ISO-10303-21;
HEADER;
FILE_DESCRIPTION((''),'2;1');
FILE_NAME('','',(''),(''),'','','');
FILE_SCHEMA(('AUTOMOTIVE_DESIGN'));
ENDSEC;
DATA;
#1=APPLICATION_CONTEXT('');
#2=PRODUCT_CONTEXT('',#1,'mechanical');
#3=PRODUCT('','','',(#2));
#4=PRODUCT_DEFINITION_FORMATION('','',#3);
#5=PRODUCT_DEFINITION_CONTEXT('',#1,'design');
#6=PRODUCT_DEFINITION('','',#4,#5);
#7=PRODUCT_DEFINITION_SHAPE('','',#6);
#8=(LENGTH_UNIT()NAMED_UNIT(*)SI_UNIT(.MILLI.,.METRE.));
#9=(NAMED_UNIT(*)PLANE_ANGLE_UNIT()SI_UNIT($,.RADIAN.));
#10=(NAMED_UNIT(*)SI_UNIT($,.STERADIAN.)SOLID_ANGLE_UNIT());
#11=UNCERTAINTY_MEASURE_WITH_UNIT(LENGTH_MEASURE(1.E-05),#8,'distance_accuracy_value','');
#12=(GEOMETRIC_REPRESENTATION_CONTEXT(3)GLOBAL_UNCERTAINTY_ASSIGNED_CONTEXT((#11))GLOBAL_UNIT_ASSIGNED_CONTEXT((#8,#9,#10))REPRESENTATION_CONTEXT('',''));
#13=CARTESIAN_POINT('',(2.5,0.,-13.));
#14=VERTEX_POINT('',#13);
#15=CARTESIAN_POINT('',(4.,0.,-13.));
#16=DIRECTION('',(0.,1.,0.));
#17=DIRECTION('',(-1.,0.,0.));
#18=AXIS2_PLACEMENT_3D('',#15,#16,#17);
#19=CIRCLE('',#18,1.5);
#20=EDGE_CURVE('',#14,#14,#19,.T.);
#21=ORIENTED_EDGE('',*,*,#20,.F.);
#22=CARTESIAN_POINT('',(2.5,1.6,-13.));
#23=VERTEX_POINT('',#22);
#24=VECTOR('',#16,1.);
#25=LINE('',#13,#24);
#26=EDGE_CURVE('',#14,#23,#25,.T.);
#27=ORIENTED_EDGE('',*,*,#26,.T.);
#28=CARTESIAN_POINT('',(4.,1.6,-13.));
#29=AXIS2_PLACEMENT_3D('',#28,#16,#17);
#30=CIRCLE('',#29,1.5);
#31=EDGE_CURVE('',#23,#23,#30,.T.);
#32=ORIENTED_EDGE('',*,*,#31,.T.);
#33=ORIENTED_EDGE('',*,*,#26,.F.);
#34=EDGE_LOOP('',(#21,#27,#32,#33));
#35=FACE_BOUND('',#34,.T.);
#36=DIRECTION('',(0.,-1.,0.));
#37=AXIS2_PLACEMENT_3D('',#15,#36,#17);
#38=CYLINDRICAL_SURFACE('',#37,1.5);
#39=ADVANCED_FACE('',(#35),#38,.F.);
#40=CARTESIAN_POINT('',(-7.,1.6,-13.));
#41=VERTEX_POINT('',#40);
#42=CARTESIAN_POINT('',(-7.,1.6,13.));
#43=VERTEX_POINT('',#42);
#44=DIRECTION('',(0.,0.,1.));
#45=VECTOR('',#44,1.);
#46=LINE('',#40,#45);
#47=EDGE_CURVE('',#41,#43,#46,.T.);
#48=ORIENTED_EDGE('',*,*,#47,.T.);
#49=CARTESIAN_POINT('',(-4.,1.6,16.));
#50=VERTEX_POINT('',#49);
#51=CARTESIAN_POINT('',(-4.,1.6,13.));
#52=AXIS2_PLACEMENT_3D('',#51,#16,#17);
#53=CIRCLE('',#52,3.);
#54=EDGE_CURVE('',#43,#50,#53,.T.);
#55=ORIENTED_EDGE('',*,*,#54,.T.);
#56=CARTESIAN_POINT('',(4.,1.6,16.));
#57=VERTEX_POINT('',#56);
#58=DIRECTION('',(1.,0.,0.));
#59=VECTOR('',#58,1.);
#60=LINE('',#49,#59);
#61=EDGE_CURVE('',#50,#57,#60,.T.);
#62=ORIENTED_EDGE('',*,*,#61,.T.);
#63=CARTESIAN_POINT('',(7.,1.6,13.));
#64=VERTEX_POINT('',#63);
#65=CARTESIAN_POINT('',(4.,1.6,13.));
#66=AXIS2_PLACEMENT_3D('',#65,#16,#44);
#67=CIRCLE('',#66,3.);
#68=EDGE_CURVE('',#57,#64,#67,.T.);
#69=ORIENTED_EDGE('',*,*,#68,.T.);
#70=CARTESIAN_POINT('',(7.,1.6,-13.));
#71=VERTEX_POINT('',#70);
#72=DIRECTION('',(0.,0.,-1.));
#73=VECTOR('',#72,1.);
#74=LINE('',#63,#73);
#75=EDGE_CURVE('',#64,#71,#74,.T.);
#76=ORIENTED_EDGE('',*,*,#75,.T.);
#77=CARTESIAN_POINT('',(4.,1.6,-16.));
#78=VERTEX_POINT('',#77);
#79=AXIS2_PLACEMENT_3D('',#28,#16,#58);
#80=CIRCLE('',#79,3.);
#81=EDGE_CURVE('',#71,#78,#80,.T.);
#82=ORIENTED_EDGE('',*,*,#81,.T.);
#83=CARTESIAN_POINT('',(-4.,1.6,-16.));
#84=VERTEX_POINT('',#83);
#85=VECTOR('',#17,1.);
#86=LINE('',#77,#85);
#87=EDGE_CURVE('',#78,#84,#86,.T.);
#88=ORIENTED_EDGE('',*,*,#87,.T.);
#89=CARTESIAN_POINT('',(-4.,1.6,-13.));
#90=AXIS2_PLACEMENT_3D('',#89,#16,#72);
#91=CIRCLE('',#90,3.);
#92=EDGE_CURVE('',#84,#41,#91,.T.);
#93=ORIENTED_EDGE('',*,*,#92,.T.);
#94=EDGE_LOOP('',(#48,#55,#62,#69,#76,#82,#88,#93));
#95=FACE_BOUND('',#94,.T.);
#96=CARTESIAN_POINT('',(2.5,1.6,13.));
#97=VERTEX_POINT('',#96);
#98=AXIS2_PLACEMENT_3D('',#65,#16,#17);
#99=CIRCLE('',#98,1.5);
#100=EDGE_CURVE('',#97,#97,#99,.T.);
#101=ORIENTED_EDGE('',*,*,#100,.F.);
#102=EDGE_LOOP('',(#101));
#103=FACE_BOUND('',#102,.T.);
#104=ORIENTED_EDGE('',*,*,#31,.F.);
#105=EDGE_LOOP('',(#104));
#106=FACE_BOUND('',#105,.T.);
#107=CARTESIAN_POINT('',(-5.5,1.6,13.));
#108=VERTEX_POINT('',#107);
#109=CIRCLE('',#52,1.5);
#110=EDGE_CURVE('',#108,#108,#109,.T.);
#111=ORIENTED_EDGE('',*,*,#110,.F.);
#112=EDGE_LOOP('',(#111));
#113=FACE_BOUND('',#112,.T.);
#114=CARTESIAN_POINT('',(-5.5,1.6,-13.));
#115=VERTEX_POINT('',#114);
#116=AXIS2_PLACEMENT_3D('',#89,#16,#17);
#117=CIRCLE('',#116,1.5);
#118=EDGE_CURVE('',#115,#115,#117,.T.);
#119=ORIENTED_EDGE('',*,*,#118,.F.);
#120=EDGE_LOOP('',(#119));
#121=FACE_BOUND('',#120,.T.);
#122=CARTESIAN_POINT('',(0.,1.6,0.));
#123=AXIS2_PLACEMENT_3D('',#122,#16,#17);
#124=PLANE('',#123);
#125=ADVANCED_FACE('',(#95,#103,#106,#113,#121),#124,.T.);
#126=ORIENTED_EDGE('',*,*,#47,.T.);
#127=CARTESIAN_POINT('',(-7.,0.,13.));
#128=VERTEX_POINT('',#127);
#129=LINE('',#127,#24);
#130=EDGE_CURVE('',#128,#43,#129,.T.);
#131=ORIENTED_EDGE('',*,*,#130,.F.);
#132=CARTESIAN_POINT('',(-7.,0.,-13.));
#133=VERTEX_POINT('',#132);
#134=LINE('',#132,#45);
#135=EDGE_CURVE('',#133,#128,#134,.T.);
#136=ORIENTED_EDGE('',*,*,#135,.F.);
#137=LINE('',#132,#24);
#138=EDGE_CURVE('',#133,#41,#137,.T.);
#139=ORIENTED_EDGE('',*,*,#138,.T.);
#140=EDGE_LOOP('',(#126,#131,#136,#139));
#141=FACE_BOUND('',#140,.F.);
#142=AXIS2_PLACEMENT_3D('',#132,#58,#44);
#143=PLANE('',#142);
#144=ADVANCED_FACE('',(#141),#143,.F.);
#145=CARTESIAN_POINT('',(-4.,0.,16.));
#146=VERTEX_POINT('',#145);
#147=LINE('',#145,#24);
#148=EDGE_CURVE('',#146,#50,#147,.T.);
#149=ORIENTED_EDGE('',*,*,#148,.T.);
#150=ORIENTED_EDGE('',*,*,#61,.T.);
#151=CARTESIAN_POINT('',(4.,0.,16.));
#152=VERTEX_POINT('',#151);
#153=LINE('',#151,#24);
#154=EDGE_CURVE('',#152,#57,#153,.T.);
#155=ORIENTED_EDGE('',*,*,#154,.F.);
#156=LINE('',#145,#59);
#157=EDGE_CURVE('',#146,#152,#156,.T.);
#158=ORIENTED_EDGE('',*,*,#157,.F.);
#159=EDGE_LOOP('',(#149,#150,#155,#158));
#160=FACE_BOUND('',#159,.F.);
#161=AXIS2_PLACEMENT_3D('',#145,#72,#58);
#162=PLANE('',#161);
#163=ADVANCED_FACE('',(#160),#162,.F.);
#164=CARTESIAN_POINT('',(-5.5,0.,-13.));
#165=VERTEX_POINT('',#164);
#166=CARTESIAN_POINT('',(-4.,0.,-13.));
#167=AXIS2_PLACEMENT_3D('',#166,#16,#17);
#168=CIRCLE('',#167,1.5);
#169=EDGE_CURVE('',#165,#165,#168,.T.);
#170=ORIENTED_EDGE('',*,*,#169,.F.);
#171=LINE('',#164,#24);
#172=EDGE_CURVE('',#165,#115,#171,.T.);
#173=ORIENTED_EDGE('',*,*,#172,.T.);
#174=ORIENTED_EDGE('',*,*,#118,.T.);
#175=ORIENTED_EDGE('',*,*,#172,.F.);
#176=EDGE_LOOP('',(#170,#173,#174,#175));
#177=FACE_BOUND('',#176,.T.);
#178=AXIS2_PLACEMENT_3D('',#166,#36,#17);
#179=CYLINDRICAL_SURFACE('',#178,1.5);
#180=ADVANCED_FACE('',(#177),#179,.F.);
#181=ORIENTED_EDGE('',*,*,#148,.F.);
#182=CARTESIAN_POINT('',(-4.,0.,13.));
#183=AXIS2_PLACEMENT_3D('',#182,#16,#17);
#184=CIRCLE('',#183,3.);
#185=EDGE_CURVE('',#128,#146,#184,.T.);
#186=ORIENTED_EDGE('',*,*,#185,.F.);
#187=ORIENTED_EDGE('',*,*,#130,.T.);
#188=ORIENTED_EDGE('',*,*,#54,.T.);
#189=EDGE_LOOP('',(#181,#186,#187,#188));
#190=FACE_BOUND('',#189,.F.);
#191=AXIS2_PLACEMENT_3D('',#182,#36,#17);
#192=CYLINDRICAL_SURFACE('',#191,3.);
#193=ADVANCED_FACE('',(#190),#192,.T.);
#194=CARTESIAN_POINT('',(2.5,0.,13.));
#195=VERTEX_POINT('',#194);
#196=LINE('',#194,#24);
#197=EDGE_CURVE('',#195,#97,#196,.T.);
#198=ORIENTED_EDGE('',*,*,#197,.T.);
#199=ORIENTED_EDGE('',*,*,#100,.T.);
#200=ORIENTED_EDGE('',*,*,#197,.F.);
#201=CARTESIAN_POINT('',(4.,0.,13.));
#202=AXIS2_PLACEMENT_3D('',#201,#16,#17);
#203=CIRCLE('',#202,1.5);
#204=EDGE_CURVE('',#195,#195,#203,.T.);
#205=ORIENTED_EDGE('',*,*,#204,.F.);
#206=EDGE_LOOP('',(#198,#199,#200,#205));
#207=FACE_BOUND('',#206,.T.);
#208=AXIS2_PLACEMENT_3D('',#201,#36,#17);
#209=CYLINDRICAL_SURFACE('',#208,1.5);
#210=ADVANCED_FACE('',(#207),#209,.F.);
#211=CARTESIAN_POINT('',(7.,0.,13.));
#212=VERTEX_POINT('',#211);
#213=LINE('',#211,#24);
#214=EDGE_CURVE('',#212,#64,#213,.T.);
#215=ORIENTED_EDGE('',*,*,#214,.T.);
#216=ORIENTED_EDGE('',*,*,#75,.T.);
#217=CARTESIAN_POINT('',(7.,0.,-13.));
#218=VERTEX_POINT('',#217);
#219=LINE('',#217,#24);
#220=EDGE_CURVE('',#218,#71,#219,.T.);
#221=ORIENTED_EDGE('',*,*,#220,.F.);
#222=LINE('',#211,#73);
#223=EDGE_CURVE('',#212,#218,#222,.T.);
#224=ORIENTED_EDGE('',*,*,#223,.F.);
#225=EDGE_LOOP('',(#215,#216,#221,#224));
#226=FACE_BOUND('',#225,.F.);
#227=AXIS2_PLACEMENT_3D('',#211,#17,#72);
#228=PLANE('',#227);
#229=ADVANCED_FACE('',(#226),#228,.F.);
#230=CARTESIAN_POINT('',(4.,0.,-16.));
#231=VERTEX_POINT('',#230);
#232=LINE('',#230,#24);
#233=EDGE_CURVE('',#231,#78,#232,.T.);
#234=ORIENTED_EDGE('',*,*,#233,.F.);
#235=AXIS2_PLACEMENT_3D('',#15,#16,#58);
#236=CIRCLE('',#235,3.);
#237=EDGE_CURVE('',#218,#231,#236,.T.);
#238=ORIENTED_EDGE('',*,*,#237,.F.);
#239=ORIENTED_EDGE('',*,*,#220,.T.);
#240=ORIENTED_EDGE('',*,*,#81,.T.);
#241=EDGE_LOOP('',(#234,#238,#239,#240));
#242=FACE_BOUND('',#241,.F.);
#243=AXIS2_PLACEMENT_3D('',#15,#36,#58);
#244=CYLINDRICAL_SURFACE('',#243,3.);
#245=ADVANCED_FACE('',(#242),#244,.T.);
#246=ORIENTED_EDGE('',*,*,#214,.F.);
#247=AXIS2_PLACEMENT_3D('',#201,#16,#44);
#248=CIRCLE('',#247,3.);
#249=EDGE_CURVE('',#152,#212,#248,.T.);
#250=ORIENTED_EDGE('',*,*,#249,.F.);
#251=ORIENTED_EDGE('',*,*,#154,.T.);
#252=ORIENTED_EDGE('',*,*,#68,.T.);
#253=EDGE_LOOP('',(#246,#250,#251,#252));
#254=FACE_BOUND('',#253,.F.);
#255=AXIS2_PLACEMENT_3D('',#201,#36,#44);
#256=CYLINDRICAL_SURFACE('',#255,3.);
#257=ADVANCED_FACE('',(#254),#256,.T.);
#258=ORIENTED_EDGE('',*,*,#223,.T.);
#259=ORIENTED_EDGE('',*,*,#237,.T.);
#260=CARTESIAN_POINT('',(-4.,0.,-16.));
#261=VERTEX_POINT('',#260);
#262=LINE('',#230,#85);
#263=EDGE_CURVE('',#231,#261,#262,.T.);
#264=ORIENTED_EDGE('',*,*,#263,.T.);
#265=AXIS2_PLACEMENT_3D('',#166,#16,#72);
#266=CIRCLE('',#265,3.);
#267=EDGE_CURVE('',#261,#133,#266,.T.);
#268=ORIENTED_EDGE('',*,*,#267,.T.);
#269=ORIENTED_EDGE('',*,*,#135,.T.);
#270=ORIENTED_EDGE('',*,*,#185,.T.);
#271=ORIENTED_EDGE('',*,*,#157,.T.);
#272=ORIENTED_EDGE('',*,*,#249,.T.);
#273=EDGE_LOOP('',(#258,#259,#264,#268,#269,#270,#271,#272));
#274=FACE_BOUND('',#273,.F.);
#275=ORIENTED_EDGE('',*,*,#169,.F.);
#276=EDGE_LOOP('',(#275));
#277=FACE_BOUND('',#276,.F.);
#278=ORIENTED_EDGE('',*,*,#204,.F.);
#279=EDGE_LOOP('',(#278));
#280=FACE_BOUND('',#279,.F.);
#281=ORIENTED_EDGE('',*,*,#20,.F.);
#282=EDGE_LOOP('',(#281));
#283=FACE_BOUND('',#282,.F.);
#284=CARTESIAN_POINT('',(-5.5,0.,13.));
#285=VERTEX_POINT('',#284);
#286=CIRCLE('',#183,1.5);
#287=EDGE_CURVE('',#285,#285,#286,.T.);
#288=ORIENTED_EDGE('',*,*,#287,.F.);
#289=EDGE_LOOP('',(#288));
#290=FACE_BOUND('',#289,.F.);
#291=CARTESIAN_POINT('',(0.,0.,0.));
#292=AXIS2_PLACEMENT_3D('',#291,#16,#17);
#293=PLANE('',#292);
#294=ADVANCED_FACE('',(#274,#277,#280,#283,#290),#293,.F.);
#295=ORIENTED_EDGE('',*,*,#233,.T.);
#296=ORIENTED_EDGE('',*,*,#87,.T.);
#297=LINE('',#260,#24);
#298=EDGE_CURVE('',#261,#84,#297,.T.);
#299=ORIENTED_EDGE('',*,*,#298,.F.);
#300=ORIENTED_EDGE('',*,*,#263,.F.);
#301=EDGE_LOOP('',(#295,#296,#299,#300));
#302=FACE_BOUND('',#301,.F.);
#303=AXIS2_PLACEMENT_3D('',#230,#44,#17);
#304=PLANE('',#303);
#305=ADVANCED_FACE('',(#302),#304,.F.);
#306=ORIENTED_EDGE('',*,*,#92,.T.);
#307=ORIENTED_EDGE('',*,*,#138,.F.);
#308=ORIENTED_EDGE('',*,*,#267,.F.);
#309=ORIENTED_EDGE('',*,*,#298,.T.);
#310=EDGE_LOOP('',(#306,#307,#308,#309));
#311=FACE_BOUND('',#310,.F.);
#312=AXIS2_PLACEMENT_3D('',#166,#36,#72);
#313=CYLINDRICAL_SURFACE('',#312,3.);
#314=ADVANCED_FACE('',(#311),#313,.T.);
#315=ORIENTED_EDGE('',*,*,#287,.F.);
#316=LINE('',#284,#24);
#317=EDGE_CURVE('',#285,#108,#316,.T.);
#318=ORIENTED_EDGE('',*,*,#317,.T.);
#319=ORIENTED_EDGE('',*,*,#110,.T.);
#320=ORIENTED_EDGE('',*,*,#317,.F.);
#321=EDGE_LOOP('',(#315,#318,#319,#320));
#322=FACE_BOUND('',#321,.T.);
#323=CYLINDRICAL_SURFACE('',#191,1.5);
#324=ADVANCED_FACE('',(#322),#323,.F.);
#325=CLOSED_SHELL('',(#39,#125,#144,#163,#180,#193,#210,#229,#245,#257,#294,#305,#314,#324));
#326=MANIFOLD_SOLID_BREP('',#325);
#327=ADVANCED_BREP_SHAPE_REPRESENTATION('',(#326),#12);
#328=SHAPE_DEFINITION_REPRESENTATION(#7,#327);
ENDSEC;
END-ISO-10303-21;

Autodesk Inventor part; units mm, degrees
ref_plane "YZ Plane" through (0, 0, 0) normal (1, 0, 0) x (0, 1, 0)
ref_plane "XZ Plane" through (0, 0, 0) normal (0, 1, 0) x (-1, 0, 0)
ref_plane "XY Plane" through (0, 0, 0) normal (0, 0, 1) x (1, 0, 0)
sketch "Szkic1" plane through (0, 0, 0) normal (0, 1, 0) x (-1, 0, 0)
  circle A0 centre (4, 13) radius 1.5
  circle A1 centre (-4, 13) radius 1.5
  circle A2 centre (4, -13) radius 1.5
  circle A3 centre (-4, -13) radius 1.5
  line L0 (4, 16) -> (-4, 16)
  line L1 (-7, 13) -> (-7, -13)
  line L2 (-4, -16) -> (4, -16)
  line L3 (7, -13) -> (7, 13)
  arc A4 (7, 13) -> (4, 16) centre (4, 13) ccw
  arc A5 (4, -16) -> (7, -13) centre (4, -13) ccw
  arc A6 (-7, -13) -> (-4, -16) centre (-4, -13) ccw
  arc A7 (-4, 16) -> (-7, 13) centre (-4, 13) ccw
  point P0 (0, 0)
  point P1 (-7, -16)
  point P2 (-7, 16)
  point P3 (7, -16)
  dimension "d0" = 3
  dimension "d1" = 13
  dimension "d2" = 4
  dimension "d4" = 14
  dimension "d5" = 32
  dimension "d6" = 3
extrude "Wyciągnięcie proste1" add sketch "Szkic1" along normal blind 1.6
properties part number "mocowanie do podstawy2"
